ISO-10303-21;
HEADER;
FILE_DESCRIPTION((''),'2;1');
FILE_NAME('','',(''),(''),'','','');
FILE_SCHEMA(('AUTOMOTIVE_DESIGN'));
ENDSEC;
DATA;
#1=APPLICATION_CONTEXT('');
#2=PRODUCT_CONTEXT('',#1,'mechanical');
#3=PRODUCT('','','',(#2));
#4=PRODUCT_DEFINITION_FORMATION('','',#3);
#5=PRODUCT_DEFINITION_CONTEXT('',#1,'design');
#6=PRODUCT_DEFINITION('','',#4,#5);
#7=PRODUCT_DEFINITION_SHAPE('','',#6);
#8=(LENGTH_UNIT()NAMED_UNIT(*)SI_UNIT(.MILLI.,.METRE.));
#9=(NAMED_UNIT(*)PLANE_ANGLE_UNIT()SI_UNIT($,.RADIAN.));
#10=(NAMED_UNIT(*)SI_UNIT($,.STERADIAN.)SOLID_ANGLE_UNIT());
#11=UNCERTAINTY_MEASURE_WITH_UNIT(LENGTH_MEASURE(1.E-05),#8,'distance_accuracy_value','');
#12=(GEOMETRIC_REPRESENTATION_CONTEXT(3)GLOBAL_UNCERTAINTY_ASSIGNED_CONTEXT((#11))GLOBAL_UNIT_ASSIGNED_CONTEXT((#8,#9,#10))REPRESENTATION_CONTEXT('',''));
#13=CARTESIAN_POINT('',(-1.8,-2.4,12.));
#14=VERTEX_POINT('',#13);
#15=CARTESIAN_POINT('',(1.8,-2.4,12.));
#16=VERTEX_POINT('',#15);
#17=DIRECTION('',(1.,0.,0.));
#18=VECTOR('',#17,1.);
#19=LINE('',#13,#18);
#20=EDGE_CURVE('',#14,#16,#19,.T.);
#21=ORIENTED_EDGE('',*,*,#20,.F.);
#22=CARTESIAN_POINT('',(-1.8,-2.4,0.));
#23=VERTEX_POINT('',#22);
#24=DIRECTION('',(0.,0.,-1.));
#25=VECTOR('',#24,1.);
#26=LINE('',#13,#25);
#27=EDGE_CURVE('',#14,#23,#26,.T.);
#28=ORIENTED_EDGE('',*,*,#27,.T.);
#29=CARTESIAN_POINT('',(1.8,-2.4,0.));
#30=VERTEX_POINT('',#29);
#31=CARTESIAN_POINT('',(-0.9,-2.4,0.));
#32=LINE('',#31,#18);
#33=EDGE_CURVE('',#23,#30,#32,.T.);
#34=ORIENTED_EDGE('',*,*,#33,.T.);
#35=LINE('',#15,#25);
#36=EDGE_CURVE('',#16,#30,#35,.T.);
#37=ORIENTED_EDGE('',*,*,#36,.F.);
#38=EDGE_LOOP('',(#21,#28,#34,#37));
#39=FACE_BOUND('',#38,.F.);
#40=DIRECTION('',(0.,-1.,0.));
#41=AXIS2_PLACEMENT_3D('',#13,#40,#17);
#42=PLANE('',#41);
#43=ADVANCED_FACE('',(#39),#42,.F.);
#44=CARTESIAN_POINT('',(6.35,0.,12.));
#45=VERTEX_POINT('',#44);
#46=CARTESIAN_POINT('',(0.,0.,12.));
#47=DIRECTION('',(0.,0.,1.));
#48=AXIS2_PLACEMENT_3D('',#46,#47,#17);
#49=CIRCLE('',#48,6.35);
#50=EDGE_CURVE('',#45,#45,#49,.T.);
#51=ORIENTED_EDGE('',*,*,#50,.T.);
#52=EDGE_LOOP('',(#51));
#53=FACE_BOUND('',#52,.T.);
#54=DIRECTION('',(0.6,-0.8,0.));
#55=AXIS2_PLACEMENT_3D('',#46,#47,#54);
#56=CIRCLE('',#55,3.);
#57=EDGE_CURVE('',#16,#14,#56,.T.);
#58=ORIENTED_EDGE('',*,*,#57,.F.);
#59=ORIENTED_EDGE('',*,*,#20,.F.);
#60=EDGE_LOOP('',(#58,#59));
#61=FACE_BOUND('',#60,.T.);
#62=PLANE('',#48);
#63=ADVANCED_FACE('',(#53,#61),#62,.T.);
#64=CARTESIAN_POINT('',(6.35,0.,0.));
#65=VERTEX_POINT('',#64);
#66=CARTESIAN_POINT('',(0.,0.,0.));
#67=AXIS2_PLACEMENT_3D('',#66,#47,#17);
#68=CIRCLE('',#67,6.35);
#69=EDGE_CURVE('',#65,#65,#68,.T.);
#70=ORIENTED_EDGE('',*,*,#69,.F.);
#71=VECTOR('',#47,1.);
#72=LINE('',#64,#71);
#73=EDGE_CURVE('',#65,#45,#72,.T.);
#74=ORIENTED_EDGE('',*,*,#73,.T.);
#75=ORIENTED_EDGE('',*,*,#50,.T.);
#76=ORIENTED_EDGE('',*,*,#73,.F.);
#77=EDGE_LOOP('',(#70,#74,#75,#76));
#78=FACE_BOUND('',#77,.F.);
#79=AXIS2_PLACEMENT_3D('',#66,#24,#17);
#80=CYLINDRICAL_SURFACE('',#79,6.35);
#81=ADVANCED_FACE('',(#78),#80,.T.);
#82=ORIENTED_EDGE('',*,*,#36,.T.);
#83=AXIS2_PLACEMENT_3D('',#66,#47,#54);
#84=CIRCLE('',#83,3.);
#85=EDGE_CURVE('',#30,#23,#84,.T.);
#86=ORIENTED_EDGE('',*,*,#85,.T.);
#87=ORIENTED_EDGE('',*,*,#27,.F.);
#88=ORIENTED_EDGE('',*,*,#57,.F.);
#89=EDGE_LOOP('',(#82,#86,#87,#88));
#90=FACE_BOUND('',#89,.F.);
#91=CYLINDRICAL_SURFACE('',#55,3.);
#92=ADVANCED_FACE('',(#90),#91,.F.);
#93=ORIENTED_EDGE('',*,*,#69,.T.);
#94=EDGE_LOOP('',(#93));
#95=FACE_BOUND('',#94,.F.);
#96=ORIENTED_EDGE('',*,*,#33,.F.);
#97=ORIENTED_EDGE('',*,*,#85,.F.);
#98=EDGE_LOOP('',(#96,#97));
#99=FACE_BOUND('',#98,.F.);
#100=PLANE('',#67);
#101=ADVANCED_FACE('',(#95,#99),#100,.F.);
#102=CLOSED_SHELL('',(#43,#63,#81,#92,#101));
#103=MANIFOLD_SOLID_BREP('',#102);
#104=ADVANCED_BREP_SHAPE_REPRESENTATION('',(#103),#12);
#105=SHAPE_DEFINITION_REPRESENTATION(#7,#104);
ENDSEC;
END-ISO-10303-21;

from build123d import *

# Parameters (mm, degrees)
F0_R     = 6.35
F1_DEPTH = 12
F3_DEPTH = 12.001


with BuildPart() as f1:
    # F0 (on Top) → F1 (new body)
    with BuildSketch(Plane.XY):
        Circle(F0_R)
    extrude(amount=F1_DEPTH)

    # F2 (on face) → F3 (cut, through all)
    with BuildSketch(Plane.XY.offset(12)):
        with BuildLine():
            ThreePointArc((1.8, -2.4), (0, 3), (-1.8, -2.4))
            Line((-1.8, -2.4), (1.8, -2.4))
        make_face()
    extrude(amount=-F3_DEPTH, mode=Mode.SUBTRACT)


solid = f1.part
